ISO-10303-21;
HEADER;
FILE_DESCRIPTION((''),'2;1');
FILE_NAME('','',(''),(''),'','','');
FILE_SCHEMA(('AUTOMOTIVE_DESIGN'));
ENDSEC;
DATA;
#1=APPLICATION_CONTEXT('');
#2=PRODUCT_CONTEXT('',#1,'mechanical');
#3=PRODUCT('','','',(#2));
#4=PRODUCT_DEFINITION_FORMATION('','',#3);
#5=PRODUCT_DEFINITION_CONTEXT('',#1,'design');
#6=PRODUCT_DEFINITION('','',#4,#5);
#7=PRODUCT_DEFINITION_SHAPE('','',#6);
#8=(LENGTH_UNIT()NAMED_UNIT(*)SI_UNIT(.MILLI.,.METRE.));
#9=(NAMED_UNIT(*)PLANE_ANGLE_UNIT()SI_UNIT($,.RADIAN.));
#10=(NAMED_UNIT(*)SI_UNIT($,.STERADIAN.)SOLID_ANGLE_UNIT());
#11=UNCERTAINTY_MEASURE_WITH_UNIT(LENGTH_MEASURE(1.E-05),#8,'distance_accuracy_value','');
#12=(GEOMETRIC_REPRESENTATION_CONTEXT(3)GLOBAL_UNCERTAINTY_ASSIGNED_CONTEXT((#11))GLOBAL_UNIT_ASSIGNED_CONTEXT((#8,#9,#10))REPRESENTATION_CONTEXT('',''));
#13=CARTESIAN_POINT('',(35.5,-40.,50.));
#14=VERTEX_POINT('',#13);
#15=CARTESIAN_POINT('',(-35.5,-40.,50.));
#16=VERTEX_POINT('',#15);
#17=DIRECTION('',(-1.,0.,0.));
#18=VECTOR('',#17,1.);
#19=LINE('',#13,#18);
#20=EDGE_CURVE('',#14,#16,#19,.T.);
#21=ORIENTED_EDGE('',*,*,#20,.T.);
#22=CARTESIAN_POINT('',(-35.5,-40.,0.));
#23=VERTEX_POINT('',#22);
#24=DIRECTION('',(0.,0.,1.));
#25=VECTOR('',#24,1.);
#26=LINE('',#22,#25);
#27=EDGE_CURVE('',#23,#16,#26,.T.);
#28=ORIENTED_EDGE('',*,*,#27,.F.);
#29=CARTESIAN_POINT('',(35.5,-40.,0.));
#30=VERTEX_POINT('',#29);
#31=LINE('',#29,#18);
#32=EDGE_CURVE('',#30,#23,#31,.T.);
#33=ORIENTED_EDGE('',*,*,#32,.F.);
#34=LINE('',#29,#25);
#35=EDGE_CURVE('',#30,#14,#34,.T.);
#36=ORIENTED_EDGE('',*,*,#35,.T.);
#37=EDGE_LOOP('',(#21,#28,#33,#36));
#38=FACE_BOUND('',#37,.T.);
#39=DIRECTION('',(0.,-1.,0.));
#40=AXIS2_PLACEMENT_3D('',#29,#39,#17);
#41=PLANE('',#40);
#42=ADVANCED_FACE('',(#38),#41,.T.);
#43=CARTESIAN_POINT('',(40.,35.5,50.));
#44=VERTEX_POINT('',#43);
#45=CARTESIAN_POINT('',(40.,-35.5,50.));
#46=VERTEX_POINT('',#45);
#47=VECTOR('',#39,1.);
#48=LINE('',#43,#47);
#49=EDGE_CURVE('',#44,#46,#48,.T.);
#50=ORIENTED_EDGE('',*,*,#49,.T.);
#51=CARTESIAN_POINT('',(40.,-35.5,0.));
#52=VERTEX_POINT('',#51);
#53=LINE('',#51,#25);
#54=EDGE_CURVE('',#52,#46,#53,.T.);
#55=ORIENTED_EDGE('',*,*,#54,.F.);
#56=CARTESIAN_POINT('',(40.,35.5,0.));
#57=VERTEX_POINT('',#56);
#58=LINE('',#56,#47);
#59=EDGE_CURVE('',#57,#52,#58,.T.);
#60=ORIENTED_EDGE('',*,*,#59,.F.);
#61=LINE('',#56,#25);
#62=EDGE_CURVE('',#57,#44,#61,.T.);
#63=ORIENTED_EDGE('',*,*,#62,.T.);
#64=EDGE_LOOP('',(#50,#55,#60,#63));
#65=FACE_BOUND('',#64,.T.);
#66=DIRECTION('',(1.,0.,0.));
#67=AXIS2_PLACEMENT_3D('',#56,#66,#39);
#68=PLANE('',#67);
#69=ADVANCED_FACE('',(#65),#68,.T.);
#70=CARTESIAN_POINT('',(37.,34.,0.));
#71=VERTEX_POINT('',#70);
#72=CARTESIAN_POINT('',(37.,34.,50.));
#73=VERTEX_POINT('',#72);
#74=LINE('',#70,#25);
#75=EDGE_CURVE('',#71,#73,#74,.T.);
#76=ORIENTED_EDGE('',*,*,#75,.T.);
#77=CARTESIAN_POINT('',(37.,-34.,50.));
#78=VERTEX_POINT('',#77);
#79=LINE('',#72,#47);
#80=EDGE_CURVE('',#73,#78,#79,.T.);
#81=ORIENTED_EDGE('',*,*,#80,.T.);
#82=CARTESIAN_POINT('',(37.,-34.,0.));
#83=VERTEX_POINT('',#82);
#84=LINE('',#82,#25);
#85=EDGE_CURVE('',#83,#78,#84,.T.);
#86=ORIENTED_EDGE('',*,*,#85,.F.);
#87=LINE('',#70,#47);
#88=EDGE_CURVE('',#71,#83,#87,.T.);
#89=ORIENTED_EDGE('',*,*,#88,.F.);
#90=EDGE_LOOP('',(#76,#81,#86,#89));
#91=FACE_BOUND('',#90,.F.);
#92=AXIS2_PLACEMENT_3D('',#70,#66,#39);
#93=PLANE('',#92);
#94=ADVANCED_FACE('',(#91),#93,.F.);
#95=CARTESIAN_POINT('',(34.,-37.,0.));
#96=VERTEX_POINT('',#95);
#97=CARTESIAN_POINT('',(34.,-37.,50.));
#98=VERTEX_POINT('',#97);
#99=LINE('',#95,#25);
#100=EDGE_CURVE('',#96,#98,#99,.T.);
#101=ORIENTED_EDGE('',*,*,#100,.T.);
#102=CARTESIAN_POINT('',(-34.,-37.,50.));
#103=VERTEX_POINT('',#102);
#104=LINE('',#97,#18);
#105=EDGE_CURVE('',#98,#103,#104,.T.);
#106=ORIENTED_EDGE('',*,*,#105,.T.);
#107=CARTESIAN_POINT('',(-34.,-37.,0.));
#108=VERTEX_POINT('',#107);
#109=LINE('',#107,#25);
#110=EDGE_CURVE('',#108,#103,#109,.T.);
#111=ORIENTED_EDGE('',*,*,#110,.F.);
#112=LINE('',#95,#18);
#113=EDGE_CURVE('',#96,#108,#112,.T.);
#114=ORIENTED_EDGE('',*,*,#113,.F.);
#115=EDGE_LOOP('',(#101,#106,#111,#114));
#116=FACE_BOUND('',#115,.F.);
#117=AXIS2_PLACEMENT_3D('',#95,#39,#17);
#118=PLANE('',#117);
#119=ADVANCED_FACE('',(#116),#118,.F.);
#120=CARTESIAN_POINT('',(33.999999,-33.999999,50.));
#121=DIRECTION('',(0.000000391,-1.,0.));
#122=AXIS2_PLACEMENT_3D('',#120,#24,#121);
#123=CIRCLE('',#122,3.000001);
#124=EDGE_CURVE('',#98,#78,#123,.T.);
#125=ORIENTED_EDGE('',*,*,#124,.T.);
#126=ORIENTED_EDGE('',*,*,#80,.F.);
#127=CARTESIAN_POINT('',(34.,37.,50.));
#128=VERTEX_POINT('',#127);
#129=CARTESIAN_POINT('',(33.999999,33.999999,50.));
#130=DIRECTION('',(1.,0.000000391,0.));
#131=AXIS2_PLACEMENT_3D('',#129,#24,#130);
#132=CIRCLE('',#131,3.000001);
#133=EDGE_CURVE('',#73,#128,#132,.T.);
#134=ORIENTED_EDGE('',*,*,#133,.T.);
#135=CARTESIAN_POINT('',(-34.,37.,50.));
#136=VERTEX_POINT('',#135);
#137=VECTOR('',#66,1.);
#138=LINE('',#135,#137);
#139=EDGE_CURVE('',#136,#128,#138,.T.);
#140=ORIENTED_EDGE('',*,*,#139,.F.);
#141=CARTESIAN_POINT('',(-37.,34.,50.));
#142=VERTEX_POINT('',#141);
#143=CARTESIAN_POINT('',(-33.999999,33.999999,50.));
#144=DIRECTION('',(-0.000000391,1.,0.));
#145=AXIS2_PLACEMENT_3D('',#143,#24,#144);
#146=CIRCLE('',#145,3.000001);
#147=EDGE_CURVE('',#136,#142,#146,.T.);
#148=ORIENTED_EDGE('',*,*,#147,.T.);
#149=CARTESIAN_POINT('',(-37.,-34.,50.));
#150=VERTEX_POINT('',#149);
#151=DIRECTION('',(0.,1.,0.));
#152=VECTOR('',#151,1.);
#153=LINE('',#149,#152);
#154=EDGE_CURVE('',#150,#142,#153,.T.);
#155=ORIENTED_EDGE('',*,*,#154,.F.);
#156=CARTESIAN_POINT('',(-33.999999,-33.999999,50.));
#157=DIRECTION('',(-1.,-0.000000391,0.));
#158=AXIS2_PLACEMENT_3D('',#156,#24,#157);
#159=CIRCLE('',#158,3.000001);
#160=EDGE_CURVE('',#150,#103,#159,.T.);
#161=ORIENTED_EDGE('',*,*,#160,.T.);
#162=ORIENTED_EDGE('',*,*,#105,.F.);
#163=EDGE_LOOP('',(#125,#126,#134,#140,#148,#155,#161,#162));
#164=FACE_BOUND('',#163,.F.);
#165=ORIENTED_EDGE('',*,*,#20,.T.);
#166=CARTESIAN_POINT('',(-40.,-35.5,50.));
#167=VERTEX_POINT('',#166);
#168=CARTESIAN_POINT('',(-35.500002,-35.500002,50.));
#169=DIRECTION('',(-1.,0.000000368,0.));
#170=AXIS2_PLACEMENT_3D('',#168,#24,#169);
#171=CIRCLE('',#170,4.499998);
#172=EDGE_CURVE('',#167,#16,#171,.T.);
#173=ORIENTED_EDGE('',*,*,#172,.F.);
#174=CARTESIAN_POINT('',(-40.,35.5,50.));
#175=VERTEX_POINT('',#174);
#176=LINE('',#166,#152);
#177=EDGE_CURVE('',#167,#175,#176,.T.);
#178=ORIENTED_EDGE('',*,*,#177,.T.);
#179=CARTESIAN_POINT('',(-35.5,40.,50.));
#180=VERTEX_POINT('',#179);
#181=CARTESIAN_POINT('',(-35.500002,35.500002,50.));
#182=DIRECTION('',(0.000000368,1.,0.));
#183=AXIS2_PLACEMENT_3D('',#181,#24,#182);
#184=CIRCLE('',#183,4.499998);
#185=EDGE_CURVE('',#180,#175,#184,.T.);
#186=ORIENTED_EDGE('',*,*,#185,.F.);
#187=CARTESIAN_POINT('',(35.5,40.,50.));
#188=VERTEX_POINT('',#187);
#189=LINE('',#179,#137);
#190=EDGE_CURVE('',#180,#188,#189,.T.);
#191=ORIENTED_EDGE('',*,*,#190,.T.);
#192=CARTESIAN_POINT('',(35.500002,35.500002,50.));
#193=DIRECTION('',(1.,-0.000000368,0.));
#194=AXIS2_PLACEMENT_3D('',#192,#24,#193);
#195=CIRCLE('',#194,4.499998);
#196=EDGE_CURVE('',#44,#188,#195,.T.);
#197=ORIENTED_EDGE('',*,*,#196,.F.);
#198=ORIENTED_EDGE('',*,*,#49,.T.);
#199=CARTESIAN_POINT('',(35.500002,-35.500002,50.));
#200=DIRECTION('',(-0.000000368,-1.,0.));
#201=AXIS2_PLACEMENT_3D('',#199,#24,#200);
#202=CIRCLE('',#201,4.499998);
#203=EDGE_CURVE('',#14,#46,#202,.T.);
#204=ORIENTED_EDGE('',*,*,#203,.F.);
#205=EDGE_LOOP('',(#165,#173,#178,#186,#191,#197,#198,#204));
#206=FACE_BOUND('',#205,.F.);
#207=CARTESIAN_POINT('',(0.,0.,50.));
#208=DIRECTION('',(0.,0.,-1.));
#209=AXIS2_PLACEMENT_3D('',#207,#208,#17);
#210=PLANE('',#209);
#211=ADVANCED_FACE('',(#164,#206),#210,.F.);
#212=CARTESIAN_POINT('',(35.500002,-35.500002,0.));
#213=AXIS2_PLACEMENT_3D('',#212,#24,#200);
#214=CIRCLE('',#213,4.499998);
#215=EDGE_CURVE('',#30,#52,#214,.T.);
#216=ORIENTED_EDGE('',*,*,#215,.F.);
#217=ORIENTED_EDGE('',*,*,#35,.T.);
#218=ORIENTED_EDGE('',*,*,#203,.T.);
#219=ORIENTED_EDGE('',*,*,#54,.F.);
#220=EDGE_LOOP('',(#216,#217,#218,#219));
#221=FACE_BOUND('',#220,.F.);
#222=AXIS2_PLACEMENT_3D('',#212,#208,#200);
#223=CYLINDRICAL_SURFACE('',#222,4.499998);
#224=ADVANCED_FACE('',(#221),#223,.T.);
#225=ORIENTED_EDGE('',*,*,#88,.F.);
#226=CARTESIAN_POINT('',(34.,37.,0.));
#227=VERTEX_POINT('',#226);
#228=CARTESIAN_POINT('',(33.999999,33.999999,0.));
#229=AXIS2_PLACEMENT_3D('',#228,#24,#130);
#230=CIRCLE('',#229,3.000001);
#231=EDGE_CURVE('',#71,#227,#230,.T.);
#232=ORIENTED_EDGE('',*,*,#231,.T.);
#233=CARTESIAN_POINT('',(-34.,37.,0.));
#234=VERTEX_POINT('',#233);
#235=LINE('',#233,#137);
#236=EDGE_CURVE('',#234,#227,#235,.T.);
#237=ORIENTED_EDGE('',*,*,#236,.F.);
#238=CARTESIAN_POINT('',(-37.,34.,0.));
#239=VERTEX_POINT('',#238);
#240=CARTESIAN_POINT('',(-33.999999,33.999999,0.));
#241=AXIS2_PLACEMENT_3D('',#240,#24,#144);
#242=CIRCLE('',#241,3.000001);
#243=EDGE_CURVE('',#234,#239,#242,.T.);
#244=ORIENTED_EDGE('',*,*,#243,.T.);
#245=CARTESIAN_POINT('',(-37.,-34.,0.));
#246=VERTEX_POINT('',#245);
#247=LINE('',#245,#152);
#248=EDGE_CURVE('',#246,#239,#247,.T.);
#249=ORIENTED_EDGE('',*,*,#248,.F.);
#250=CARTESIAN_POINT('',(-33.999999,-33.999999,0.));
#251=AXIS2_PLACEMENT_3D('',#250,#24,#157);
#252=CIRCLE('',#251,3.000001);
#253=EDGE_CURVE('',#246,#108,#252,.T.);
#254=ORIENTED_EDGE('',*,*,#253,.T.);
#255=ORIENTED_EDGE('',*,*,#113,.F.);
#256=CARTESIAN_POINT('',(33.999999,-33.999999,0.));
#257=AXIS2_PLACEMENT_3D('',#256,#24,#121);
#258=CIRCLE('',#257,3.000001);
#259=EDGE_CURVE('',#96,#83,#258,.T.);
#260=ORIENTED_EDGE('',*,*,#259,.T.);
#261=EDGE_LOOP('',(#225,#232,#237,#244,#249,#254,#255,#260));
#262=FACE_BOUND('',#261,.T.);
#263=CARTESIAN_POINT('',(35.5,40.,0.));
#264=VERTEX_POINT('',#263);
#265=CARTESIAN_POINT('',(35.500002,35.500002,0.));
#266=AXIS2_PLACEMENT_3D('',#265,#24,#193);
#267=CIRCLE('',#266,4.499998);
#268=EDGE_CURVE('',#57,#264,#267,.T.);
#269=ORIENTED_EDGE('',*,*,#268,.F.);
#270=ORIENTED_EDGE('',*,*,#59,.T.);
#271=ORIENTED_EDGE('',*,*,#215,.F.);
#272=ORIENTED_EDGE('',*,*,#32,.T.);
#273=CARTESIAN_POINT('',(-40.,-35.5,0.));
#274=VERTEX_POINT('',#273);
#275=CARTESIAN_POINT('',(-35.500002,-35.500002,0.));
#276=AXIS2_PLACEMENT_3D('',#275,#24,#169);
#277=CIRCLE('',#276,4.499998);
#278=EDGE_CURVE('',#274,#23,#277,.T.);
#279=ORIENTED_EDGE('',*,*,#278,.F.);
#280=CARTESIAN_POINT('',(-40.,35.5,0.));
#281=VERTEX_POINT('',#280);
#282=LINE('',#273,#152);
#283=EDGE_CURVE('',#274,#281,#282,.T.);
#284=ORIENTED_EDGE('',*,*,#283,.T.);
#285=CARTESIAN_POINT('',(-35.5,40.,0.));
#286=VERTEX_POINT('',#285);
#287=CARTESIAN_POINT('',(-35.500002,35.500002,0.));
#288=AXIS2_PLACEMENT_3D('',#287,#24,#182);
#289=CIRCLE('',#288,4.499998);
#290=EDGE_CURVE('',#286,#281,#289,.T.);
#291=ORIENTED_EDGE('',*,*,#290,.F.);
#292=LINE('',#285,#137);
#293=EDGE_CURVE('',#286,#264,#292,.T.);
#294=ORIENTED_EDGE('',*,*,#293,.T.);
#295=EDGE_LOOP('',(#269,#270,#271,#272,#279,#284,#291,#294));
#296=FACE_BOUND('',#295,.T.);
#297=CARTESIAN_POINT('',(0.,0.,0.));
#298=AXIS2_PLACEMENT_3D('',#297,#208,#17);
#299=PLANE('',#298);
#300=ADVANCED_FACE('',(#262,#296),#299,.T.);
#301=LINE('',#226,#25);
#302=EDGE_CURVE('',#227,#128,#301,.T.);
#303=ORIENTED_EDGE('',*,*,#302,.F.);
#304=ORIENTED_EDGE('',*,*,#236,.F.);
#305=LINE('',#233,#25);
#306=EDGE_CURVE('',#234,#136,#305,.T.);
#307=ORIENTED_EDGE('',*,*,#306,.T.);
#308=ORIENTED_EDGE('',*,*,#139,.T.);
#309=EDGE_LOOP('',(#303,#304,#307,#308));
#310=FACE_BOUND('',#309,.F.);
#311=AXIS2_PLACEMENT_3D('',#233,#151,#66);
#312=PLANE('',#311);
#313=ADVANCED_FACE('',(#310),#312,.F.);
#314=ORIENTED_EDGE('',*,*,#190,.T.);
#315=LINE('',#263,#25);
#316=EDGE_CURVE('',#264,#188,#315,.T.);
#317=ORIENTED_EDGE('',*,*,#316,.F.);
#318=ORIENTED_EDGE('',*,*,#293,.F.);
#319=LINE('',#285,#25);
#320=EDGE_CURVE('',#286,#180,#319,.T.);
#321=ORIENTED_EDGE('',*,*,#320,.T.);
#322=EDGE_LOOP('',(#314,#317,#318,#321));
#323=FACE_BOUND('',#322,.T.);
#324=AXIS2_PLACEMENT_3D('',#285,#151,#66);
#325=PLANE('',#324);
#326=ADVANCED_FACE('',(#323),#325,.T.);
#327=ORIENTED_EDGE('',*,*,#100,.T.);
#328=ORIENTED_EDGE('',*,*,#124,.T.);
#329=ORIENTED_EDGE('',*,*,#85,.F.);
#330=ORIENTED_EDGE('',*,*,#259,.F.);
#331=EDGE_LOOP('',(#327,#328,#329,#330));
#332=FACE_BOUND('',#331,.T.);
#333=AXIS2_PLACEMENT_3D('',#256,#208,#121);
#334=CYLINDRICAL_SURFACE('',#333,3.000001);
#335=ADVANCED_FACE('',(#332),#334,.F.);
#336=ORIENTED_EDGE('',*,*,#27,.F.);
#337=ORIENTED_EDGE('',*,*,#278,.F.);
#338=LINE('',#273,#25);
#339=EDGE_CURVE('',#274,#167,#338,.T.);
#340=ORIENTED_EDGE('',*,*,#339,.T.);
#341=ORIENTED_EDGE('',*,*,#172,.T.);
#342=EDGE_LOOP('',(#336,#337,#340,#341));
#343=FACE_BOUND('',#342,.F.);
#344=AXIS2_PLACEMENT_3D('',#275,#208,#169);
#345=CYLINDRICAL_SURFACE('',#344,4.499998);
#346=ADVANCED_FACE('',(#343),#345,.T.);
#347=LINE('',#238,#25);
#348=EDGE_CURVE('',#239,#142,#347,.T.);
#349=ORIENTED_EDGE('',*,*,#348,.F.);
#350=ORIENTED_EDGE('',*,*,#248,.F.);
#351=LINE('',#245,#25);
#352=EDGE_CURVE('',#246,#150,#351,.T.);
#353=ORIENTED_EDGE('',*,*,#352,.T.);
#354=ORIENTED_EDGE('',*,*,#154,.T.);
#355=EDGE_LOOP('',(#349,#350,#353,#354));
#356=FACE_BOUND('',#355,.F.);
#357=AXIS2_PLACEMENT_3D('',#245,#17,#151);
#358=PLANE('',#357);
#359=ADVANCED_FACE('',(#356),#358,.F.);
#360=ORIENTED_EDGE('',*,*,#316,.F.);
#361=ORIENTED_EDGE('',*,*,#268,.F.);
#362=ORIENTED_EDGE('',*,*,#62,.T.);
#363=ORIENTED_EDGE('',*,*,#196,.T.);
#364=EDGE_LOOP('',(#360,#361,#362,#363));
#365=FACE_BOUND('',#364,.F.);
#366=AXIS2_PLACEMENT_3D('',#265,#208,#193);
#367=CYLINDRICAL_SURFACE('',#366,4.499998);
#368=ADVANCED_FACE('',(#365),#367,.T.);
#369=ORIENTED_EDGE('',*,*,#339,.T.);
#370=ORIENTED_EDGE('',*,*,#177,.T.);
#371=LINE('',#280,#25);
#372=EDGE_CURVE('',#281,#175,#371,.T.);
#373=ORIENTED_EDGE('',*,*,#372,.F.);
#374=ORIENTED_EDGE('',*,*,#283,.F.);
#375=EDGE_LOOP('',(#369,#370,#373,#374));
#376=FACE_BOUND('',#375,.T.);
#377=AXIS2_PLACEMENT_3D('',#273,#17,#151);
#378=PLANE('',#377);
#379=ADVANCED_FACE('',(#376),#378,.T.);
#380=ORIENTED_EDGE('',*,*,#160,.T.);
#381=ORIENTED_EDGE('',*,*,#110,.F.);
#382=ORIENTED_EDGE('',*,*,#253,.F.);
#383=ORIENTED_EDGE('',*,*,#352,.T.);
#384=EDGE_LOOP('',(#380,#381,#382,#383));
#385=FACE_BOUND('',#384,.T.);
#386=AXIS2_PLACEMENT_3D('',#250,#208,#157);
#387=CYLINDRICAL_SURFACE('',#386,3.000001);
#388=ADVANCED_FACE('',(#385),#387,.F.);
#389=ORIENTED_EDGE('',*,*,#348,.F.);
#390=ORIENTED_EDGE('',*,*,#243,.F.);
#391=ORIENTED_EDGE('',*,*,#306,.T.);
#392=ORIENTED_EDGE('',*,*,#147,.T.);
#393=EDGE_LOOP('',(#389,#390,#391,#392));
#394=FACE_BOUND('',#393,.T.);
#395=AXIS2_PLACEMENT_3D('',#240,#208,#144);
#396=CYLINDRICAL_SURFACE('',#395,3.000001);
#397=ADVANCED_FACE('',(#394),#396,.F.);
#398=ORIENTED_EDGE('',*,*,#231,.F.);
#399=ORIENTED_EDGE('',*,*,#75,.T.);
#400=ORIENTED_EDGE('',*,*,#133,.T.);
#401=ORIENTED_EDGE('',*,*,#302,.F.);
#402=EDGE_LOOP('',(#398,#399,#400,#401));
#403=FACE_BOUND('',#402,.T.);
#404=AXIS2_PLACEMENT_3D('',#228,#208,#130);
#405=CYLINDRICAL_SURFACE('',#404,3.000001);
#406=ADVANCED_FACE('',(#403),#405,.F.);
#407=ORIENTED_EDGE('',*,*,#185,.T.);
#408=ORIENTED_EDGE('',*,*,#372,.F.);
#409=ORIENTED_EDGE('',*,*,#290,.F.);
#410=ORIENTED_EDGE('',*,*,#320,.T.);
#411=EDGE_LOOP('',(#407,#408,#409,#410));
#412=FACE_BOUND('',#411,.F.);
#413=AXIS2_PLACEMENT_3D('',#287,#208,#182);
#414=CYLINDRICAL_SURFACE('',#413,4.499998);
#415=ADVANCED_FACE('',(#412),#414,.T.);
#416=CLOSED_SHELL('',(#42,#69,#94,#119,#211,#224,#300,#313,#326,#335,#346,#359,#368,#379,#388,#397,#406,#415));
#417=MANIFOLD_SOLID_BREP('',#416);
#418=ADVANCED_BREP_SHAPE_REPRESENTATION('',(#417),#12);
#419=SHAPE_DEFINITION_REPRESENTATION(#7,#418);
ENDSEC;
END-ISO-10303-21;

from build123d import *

# Parameters (mm, degrees)
EXTRUDE_DEPTH = 50


with BuildPart() as part:
    # Sketch → Extrude (new body)
    with BuildSketch(Plane.XY):
        with BuildLine():
            Line((-35.5, 40), (35.5, 40))
            ThreePointArc((40, 35.5), (38.681981, 38.681981), (35.5, 40))
            Line((40, 35.5), (40, -35.5))
            ThreePointArc((35.5, -40), (38.681981, -38.681981), (40, -35.5))
            Line((35.5, -40), (-35.5, -40))
            ThreePointArc((-40, -35.5), (-38.681981, -38.681981), (-35.5, -40))
            Line((-40, -35.5), (-40, 35.5))
            ThreePointArc((-35.5, 40), (-38.681981, 38.681981), (-40, 35.5))
        make_face()
        with BuildLine():
            Line((-34, 37), (34, 37))
            ThreePointArc((37, 34), (36.12132, 36.12132), (34, 37))
            Line((37, 34), (37, -34))
            ThreePointArc((34, -37), (36.12132, -36.12132), (37, -34))
            Line((34, -37), (-34, -37))
            ThreePointArc((-37, -34), (-36.12132, -36.12132), (-34, -37))
            Line((-37, -34), (-37, 34))
            ThreePointArc((-34, 37), (-36.12132, 36.12132), (-37, 34))
        make_face(mode=Mode.SUBTRACT)
    extrude(amount=EXTRUDE_DEPTH)


solid = part.part
